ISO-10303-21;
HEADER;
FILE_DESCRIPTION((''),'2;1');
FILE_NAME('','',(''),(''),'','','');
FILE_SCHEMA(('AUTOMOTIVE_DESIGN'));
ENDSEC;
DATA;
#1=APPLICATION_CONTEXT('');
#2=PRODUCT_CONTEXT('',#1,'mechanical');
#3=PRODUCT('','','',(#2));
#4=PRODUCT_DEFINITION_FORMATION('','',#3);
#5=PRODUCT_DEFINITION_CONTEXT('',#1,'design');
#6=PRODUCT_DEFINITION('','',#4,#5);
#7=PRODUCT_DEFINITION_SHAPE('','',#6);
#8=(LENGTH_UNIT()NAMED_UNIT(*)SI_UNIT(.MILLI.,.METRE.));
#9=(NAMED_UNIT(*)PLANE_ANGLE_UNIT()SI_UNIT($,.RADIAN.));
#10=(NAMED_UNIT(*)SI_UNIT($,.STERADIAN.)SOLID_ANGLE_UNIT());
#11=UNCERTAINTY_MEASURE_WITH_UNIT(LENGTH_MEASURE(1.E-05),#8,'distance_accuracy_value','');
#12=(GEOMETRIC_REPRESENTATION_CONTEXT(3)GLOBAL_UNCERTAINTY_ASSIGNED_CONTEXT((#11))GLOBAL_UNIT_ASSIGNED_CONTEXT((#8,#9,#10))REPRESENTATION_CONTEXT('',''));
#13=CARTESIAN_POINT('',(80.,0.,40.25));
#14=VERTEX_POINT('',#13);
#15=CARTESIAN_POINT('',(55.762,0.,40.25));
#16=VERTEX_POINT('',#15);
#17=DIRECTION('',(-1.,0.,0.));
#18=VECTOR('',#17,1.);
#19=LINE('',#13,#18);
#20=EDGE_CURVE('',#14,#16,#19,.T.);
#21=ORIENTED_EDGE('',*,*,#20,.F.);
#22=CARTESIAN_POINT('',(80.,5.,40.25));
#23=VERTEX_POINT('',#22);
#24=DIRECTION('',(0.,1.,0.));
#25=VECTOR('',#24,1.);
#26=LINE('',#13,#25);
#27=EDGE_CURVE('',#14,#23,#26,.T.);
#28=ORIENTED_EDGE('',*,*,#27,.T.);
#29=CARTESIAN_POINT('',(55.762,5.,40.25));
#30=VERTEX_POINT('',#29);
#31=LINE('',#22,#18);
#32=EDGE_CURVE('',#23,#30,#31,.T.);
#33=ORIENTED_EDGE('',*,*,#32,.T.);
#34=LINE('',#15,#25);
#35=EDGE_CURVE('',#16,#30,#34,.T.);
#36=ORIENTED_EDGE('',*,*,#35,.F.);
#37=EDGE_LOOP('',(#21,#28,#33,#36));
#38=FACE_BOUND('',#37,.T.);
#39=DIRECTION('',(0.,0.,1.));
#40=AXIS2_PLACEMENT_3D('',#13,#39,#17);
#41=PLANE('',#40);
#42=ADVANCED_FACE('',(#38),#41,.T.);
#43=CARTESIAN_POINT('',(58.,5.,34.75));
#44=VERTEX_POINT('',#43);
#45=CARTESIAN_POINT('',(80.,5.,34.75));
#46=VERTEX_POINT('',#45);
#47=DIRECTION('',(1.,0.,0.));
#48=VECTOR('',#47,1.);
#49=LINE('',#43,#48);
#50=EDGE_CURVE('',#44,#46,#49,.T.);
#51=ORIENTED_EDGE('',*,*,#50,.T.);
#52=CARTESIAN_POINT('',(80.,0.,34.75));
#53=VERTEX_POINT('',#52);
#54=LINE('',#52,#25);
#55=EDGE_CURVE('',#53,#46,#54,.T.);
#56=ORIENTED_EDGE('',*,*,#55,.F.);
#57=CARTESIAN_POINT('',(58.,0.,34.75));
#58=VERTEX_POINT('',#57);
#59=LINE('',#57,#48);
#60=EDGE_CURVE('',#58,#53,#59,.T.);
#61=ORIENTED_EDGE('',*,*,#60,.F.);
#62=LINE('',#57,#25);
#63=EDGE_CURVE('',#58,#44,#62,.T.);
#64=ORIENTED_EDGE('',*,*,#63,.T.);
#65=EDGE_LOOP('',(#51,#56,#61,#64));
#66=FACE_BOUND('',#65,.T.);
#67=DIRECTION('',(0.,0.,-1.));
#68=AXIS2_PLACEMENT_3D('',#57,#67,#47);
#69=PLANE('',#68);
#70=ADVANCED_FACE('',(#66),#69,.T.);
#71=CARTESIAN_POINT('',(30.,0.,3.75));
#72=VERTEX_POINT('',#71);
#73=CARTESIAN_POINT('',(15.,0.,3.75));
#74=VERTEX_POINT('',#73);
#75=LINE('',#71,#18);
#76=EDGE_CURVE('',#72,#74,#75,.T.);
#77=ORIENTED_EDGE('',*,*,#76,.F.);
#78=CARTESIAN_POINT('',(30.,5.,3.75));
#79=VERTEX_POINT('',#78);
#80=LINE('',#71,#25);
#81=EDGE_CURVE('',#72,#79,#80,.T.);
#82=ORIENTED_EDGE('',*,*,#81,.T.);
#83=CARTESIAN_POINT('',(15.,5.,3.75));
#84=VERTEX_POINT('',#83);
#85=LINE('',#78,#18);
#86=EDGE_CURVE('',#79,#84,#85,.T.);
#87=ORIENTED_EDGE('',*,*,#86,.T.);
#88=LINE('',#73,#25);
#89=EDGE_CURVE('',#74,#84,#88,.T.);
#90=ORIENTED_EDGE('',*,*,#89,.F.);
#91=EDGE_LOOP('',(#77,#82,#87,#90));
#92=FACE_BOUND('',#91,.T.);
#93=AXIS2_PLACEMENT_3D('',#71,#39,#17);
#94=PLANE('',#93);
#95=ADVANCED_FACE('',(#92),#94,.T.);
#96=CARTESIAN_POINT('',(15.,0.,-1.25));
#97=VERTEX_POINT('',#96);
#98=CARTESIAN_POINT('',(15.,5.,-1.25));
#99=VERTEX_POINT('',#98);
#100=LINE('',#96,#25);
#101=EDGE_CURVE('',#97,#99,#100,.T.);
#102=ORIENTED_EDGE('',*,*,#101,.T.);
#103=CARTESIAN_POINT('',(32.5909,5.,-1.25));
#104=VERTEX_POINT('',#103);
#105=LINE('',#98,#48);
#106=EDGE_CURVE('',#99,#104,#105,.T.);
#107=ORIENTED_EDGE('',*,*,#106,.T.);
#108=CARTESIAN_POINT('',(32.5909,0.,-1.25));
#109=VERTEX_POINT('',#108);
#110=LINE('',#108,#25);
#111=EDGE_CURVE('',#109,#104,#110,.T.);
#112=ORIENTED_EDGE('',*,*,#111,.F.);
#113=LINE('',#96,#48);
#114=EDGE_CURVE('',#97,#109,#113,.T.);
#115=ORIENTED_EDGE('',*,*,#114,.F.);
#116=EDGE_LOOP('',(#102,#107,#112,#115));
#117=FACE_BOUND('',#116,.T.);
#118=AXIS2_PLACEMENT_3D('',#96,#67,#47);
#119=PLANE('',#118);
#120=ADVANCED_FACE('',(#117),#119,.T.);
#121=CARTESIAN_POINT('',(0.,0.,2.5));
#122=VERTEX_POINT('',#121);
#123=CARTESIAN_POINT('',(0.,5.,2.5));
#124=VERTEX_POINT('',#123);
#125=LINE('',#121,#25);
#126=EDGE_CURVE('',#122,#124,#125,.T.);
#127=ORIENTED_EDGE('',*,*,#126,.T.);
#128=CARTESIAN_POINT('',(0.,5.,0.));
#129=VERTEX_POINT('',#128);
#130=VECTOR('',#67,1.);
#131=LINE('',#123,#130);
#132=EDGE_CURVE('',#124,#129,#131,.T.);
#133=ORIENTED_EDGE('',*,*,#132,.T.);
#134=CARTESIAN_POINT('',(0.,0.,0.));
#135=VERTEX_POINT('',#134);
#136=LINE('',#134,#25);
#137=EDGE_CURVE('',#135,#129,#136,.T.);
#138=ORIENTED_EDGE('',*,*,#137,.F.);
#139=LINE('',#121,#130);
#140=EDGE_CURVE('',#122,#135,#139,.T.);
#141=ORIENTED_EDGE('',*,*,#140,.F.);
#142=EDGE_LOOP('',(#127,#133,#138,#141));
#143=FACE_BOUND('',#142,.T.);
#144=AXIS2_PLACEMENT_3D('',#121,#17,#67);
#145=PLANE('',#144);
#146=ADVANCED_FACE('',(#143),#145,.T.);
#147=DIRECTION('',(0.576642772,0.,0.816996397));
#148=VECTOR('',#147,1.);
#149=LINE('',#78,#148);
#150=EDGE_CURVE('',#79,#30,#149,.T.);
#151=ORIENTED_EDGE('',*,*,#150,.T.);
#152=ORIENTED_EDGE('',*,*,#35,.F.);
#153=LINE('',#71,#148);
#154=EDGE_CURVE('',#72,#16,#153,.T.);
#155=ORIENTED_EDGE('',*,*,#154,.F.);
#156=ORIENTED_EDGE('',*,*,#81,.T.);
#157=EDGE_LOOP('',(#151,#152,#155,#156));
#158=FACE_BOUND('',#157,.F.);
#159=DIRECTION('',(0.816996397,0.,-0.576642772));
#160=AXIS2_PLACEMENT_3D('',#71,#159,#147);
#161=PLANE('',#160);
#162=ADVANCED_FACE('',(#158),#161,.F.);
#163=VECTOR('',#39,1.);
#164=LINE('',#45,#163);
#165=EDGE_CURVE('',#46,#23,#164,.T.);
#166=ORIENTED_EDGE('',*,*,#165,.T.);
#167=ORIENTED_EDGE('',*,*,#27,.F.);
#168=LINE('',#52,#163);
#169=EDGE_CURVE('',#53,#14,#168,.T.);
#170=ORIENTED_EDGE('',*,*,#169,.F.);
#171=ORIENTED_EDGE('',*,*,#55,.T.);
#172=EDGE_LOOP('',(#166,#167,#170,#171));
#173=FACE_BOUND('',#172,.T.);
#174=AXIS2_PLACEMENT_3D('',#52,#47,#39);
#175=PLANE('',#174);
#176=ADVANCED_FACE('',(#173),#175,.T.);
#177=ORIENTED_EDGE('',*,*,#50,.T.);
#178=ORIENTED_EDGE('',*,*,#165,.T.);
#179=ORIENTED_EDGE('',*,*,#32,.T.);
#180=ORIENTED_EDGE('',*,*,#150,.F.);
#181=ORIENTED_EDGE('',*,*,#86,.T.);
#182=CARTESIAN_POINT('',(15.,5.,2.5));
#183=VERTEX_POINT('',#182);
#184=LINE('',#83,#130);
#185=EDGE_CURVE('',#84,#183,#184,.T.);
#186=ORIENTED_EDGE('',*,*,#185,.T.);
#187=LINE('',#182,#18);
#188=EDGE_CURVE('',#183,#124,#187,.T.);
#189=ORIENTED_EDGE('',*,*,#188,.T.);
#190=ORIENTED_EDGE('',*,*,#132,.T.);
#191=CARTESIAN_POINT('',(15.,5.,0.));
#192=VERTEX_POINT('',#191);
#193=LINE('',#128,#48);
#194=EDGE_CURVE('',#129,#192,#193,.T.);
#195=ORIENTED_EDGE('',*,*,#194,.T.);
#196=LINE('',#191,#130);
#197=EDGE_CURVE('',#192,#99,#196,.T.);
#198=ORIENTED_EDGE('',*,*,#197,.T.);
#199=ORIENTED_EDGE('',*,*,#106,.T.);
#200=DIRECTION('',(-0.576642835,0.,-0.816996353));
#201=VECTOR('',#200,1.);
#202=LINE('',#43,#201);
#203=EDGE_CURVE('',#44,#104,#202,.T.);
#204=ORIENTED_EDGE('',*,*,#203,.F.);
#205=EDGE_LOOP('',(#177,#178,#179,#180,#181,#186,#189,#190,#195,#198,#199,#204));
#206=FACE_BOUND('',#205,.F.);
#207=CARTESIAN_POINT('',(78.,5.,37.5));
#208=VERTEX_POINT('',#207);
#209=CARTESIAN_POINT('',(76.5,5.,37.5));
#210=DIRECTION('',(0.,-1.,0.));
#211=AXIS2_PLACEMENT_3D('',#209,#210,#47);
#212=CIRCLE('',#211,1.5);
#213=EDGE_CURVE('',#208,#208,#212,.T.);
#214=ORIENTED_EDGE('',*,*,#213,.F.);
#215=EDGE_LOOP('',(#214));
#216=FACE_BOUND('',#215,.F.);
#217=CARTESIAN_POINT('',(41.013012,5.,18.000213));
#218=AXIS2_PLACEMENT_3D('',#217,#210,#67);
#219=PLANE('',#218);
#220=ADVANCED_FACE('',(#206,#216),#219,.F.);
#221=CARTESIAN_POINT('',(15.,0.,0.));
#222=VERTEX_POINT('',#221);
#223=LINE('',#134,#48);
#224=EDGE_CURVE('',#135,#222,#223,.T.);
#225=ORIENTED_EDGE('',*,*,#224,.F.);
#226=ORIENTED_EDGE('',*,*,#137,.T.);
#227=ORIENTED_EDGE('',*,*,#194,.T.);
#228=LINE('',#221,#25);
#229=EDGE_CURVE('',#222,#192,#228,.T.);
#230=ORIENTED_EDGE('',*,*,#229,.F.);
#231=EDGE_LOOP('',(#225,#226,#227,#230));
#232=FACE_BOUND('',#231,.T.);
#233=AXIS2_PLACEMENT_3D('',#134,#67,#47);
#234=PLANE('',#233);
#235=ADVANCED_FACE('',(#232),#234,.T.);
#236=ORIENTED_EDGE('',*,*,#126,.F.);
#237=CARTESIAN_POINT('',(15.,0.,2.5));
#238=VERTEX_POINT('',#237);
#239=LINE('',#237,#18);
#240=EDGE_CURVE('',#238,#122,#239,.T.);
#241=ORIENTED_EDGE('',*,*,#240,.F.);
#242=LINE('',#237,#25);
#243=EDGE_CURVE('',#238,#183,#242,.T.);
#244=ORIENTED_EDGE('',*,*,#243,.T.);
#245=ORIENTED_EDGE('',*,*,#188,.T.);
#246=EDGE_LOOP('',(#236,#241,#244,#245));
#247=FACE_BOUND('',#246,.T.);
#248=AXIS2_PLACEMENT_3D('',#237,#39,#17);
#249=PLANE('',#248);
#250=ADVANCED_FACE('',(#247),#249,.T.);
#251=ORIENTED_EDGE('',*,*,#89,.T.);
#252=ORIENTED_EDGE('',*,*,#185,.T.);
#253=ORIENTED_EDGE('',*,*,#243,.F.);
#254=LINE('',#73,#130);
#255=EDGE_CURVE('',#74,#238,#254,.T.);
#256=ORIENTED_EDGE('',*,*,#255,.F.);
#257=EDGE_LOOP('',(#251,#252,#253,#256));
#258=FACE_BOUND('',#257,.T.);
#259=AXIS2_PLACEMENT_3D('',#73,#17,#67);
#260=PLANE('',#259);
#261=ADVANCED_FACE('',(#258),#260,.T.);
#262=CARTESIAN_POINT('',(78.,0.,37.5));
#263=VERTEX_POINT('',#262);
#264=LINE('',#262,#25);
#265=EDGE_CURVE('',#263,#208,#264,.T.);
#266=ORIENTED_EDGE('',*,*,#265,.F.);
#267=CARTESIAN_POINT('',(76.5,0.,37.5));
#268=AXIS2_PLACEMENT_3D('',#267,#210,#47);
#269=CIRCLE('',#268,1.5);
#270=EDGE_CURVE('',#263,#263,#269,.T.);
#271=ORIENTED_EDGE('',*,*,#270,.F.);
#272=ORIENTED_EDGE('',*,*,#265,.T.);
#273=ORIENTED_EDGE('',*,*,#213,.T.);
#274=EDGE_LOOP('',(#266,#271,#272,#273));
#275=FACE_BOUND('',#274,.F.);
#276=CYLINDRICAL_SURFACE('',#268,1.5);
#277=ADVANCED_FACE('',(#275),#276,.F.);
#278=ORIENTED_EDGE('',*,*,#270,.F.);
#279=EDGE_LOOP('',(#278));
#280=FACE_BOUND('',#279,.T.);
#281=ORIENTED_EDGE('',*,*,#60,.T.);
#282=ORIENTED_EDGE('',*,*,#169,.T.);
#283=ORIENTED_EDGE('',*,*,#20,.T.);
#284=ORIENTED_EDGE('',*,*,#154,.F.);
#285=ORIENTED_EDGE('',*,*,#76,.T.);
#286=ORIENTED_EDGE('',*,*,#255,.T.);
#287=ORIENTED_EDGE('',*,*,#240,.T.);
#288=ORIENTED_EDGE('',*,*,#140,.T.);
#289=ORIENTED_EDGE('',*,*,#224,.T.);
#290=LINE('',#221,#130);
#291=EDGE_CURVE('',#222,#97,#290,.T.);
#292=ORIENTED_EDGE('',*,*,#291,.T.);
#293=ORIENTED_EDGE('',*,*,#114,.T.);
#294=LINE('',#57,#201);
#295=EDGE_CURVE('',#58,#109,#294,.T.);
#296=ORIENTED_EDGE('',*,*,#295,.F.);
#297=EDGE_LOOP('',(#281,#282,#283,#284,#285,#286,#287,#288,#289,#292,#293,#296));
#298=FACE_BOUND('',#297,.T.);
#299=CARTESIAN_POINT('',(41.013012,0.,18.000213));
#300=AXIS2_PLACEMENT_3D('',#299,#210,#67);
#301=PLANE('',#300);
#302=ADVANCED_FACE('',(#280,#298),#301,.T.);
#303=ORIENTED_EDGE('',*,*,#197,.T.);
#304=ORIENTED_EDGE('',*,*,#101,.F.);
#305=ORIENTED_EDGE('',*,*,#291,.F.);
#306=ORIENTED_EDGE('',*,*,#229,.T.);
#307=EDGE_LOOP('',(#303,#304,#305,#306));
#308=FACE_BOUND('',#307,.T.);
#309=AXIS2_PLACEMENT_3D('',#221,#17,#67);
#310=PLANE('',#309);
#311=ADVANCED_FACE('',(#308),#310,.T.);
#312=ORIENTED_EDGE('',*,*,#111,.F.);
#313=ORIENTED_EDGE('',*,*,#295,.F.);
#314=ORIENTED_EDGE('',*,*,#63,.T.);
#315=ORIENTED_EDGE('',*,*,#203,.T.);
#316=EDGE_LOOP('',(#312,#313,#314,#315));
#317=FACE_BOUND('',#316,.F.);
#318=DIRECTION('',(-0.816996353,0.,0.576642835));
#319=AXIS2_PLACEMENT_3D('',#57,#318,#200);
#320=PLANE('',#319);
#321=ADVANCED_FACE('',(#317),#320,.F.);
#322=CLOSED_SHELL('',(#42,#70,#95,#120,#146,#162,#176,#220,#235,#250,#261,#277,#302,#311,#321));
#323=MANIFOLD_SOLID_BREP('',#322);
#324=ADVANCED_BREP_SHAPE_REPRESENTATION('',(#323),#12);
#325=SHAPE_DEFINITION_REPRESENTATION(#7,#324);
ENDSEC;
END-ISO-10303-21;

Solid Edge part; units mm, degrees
sketch "Sketch1" plane through (0, 0, 0) normal (0, -1, 0) x (1, 0, 0)
  line L0 (15, 2.5) -> (0, 2.5)
  line L1 (0, 2.5) -> (0, 0)
  line L2 (0, 0) -> (15, 0)
  line L3 (15, 0) -> (15, -1.25)
  line L4 (15, -1.25) -> (32.5909, -1.25)
  line L5 (58, 34.75) -> (32.5909, -1.25)
  line L6 (58, 34.75) -> (80, 34.75)
  line L7 (80, 34.75) -> (80, 40.25)
  line L8 (80, 40.25) -> (55.762, 40.25)
  line L9 (30, 3.75) -> (55.762, 40.25)
  line L10 (30, 3.75) -> (15, 3.75)
  line L11 (15, 3.75) -> (15, 2.5)
  circle A0 centre (76.5, 37.5) radius 1.5
extrude "Protrusion1" add sketch "Sketch1" against normal blind 5
